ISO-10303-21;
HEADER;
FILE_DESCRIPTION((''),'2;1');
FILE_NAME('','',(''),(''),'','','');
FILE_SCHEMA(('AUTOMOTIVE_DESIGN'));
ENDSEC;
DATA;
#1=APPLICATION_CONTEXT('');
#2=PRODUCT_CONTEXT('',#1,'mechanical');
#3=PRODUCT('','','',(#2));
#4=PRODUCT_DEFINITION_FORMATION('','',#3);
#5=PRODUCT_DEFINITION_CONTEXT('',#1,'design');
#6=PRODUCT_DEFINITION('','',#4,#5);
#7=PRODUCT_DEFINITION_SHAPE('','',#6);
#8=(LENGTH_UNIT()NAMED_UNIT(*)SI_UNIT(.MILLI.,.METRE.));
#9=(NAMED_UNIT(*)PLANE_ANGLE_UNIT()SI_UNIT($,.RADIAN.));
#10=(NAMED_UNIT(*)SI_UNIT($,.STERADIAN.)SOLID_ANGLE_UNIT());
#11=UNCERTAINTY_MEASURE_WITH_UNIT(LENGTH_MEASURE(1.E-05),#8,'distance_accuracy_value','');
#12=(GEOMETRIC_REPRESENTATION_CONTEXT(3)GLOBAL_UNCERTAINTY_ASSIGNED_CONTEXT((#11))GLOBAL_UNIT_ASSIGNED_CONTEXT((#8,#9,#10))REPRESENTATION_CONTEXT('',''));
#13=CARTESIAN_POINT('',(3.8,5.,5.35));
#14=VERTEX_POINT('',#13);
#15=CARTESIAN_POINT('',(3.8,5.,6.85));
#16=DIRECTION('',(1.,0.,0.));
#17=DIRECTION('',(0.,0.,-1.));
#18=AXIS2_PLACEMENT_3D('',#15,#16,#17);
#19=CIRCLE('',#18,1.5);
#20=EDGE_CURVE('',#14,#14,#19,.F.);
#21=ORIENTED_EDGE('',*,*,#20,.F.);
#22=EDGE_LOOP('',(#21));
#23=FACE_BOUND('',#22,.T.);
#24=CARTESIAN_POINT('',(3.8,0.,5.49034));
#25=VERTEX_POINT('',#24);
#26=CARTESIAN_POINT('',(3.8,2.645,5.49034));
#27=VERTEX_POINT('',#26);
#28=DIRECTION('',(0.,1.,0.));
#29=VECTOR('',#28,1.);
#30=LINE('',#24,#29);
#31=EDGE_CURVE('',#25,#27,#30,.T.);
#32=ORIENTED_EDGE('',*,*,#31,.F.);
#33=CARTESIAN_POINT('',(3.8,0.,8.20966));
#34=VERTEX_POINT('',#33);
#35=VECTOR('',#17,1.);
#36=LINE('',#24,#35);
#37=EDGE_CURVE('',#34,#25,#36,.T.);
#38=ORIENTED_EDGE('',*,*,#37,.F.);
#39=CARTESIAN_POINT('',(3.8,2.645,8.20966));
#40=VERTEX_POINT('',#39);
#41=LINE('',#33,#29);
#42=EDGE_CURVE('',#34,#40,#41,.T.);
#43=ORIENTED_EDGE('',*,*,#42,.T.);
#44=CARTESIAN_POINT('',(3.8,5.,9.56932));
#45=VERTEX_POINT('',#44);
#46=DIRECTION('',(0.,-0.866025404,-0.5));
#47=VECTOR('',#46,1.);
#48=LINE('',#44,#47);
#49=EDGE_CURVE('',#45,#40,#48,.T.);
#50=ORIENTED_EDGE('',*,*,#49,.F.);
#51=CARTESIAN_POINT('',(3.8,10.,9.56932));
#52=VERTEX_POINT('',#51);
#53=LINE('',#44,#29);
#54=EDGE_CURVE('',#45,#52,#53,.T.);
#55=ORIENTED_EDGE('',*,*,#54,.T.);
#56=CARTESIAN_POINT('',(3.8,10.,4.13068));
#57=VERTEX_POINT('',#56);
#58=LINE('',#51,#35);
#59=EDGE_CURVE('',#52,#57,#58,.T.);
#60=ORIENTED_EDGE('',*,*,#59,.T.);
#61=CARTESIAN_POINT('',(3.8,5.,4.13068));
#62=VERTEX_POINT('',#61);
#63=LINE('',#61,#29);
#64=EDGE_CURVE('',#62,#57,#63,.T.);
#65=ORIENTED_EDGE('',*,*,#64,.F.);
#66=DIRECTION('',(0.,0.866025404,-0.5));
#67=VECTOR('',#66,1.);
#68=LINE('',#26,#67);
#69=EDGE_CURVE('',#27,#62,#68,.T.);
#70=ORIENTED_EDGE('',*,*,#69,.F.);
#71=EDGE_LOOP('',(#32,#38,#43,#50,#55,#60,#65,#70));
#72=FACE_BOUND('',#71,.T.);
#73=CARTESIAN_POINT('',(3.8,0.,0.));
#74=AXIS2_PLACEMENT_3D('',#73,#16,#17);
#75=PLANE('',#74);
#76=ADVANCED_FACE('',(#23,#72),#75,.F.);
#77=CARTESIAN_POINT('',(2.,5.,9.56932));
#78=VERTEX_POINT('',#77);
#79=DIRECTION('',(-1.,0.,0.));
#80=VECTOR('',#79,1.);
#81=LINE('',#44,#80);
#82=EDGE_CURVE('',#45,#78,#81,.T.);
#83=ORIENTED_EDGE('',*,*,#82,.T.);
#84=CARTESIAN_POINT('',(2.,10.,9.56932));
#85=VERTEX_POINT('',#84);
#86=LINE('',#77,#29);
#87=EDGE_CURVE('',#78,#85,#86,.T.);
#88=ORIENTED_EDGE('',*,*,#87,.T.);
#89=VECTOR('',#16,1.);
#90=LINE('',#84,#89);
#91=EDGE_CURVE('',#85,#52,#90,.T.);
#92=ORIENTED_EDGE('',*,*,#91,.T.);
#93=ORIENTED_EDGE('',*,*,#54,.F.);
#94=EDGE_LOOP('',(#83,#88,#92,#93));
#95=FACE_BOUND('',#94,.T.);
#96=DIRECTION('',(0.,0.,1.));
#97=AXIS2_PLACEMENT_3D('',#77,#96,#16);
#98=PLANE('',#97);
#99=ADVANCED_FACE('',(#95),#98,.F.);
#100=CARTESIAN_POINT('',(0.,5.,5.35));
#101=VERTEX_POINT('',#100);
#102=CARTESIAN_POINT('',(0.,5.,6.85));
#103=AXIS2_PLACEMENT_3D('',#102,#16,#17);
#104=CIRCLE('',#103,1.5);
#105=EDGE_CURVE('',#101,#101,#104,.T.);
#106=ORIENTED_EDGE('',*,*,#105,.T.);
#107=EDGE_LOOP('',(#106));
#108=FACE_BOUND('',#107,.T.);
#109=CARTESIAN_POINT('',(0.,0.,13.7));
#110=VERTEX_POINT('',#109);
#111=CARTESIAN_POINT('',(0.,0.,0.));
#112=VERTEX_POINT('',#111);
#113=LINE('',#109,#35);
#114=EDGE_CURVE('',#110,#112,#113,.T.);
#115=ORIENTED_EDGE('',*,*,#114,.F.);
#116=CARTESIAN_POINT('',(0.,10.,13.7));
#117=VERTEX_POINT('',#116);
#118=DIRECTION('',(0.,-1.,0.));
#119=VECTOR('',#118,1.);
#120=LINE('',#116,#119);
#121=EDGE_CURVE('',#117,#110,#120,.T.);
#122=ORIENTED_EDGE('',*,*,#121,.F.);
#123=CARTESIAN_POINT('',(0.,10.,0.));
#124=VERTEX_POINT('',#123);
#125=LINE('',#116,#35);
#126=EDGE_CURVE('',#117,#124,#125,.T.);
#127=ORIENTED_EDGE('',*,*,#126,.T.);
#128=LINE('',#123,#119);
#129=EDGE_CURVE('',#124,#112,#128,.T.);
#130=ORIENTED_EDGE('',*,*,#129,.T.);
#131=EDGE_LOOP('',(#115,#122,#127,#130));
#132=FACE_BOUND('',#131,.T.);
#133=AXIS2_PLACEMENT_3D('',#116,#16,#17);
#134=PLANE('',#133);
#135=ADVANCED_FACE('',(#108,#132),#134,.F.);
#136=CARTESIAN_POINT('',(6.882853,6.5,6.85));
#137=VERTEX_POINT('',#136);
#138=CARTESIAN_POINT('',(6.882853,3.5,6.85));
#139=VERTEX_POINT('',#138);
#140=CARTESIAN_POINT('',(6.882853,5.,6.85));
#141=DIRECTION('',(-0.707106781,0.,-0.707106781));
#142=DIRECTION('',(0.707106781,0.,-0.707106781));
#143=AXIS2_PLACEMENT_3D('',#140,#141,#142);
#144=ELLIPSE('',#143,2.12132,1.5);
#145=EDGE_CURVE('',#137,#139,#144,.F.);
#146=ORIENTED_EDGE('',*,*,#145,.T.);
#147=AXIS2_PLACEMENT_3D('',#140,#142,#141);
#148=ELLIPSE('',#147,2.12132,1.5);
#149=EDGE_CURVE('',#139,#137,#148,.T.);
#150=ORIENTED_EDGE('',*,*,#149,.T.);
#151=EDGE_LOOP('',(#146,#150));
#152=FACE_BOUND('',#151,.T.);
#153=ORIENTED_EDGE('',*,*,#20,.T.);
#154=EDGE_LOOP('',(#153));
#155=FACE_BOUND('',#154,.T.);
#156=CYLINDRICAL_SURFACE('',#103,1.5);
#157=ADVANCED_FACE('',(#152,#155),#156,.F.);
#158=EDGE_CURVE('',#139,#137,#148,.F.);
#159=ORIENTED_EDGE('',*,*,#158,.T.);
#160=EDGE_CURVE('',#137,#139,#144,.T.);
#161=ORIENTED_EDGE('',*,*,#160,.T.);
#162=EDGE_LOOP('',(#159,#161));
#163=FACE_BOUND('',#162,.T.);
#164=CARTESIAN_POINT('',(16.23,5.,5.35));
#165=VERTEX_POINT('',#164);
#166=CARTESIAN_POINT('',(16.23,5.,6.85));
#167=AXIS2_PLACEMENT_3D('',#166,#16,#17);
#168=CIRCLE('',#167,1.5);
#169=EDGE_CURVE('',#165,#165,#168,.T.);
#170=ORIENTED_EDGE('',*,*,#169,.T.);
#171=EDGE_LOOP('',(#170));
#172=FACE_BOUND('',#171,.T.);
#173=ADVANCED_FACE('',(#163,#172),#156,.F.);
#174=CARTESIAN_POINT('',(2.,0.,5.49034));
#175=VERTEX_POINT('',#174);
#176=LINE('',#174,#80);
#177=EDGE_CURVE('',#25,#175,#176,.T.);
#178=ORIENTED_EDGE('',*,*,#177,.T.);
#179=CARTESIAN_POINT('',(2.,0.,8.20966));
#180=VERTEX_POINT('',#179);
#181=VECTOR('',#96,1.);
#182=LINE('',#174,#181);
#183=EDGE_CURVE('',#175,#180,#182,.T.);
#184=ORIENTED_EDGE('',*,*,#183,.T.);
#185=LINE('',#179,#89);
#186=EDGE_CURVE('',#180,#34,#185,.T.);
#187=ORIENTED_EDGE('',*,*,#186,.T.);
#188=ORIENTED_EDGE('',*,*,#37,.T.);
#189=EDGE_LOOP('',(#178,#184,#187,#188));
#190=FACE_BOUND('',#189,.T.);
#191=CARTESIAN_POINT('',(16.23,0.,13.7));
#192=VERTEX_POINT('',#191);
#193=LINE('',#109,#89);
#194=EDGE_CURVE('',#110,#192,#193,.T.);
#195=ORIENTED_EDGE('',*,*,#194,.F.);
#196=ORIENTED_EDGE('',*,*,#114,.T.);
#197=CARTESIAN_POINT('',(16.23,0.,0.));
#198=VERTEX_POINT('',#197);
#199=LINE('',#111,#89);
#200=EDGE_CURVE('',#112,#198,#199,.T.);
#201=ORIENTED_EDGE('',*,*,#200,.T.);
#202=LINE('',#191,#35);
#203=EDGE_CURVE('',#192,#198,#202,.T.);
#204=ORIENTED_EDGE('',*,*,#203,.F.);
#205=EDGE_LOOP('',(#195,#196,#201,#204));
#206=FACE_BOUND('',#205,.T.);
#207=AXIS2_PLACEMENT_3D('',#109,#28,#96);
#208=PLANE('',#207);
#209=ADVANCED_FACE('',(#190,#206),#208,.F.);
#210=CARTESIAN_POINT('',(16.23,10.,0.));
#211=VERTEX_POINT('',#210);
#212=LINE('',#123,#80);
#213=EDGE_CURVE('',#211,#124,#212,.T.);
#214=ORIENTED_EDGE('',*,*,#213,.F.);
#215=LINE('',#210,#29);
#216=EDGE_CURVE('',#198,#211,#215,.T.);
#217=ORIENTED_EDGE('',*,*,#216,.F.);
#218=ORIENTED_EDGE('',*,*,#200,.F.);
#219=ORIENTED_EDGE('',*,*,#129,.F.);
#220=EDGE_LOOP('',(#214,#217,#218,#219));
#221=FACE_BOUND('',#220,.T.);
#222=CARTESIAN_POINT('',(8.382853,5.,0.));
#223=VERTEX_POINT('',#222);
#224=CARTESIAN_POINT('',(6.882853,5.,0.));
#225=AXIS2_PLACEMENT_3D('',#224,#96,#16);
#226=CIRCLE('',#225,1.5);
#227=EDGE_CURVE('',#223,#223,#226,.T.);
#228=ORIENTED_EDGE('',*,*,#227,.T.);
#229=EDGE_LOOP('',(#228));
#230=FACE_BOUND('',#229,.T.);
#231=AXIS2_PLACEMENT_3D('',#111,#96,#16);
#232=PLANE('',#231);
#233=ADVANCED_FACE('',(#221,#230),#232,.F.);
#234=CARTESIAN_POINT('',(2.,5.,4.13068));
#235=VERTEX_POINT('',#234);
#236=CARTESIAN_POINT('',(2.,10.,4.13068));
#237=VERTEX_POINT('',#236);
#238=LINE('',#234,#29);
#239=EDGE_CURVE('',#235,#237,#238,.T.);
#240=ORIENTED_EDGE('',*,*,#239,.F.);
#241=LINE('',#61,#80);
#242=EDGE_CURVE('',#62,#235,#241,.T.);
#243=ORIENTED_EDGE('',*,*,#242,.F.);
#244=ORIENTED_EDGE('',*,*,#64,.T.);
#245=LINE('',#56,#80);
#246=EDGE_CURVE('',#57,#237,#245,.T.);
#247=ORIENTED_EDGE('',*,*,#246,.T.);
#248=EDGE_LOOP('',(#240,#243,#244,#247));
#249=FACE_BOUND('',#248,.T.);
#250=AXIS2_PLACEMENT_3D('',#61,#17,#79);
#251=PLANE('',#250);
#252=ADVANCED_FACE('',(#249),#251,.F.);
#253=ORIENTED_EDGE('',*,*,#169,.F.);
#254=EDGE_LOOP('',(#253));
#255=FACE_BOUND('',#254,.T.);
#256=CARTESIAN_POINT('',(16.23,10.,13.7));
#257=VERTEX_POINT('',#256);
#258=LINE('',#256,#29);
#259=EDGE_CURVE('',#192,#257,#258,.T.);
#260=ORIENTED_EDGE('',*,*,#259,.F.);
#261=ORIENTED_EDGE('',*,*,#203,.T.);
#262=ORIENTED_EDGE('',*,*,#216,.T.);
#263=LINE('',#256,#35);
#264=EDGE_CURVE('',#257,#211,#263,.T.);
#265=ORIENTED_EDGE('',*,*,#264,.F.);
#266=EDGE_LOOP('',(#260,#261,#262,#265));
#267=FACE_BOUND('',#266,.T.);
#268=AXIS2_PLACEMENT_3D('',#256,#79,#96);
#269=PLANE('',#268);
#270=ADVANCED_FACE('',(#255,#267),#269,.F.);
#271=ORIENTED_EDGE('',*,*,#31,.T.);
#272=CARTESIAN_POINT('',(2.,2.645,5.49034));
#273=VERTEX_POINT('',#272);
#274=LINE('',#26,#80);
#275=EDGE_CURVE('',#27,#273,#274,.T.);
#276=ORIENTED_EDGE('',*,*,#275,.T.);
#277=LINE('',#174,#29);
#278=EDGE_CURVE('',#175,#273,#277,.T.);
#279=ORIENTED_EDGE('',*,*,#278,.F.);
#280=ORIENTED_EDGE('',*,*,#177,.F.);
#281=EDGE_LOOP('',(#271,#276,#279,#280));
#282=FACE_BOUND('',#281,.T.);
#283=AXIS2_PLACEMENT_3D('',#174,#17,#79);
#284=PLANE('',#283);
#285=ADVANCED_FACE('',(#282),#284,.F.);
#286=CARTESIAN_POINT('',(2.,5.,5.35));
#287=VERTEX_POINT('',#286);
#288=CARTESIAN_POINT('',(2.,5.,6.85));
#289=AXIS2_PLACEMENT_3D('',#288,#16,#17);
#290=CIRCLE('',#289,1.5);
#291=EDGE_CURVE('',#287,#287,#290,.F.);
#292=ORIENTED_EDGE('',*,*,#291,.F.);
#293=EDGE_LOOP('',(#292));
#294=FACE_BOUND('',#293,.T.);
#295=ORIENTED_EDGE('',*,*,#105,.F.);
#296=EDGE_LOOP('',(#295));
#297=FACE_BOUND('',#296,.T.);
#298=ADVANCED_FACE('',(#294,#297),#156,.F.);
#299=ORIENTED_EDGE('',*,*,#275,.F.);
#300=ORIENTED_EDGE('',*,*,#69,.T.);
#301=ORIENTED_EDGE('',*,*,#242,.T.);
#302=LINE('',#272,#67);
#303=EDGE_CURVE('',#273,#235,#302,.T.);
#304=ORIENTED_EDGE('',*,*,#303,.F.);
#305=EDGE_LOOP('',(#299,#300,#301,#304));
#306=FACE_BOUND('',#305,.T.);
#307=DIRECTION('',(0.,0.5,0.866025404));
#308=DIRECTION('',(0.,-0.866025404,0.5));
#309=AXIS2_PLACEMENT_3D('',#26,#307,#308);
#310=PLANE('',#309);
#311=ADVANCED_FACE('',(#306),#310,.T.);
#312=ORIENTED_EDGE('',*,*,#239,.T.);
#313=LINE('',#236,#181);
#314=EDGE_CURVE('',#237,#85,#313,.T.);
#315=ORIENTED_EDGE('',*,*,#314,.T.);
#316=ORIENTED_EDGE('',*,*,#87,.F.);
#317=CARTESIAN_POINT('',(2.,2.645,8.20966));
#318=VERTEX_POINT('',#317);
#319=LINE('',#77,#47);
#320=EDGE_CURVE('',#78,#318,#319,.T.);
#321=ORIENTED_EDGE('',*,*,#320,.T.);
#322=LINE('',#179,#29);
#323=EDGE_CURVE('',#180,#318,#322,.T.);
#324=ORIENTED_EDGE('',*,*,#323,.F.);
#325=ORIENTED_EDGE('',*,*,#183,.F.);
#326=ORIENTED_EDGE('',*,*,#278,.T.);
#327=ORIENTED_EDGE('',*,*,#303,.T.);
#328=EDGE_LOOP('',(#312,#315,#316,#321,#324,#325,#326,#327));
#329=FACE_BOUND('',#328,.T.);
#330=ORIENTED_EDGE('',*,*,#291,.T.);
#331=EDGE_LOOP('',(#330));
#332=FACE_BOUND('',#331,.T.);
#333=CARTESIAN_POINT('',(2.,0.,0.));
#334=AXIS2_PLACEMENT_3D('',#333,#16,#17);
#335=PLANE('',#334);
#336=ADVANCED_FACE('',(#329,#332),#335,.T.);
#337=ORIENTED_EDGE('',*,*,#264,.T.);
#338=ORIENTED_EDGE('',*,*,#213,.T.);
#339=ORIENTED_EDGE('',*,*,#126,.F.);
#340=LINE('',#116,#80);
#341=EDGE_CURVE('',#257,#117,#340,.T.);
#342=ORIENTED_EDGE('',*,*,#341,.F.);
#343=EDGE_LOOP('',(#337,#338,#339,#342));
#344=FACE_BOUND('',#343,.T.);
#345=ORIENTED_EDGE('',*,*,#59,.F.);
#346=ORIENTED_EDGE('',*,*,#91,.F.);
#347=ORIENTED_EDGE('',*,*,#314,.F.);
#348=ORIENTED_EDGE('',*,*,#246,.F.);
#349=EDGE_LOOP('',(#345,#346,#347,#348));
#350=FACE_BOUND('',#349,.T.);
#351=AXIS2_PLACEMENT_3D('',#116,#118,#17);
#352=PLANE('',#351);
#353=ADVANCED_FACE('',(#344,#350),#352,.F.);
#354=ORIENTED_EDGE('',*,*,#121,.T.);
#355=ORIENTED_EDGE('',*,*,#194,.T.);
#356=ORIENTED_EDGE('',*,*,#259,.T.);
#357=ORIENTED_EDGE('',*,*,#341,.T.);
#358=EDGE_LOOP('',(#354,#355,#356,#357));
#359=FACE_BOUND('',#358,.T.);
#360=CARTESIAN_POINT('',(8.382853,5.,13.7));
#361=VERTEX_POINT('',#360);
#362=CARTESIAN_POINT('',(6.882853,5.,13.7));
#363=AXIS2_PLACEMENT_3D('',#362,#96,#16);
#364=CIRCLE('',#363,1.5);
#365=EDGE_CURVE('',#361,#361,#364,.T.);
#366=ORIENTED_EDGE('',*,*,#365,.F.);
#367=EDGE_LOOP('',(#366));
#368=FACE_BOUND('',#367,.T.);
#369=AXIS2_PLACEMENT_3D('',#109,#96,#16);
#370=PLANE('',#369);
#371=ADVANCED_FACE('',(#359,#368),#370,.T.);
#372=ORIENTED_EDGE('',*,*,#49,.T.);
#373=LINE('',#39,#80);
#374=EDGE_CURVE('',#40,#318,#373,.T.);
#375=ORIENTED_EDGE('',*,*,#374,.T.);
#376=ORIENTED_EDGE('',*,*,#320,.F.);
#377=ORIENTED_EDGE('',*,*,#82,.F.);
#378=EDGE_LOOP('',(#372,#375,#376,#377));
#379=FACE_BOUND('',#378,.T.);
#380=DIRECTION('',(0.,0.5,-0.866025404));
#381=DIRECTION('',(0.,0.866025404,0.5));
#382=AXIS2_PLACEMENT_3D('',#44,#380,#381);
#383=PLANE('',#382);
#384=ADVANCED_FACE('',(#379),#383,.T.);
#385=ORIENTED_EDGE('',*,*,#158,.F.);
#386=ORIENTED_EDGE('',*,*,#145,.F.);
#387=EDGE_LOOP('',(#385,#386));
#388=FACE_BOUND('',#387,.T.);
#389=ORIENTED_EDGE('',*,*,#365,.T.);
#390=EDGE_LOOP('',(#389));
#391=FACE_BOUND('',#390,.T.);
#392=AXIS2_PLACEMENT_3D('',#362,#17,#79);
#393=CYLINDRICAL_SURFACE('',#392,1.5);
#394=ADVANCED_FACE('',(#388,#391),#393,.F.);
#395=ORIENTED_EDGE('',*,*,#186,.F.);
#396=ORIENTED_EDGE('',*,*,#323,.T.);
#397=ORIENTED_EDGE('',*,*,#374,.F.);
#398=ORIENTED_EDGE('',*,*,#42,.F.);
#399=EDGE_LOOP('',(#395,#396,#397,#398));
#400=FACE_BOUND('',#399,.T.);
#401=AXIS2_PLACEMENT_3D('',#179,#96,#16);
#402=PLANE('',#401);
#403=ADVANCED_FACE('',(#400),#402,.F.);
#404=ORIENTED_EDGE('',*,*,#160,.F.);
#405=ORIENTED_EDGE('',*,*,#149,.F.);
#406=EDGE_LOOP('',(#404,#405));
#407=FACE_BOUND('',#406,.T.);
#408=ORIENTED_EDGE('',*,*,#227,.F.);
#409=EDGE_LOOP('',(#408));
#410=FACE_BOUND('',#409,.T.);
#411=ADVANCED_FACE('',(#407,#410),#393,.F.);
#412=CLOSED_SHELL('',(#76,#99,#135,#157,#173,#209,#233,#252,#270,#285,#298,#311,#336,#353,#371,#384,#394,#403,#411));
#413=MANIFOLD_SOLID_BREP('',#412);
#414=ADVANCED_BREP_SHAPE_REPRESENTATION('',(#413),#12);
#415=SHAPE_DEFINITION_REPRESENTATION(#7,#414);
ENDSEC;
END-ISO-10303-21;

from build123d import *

# Parameters (mm, degrees)
SKETCH2_W           = 16.23
SKETCH2_H           = 10
SKETCH2_R           = 1.5
BOSS_EXTRUDE1_DEPTH = 13.7
SKETCH3_R           = 1.5
CUT_EXTRUDE1_DEPTH  = 24.47558093
CUT_EXTRUDE4_DEPTH  = 1.8
SKETCH7_W           = 1.8
SKETCH7_H           = 5.438639536
CUT_EXTRUDE5_DEPTH  = 5
SKETCH8_W           = 1.8
SKETCH8_H           = 2.719319768
CUT_EXTRUDE6_DEPTH  = 23.476630642


with BuildPart() as part:
    # Sketch2 → Boss-Extrude1 (new body)
    with BuildSketch(Plane.XY):
        with Locations((8.115, 5)):
            Rectangle(SKETCH2_W, SKETCH2_H)
        with Locations(Location((6.882853167, 5, 0), (0, 0, 180))):
            Circle(SKETCH2_R, mode=Mode.SUBTRACT)
    extrude(amount=BOSS_EXTRUDE1_DEPTH)

    # Sketch3 → Cut-Extrude1 (cut, through all)
    with BuildSketch(Plane(origin=(16.23, 0, 0), x_dir=(0, 0, -1), z_dir=(1, 0, 0))):
        with Locations((-6.85, 5)):
            Circle(SKETCH3_R)
    extrude(amount=-CUT_EXTRUDE1_DEPTH, mode=Mode.SUBTRACT)

    # Sketch4 → Cut-Extrude4 (cut)
    with BuildSketch(Plane(origin=(2, 0, 0), x_dir=(0, 0, -1), z_dir=(1, 0, 0))):
        Polygon((-5.490340116, 2.645), (-4.130680232, 5), (-5.490340116, 7.355), (-8.209659884, 7.355), (-9.569319768, 5), (-8.209659884, 2.645), align=None)
    extrude(amount=CUT_EXTRUDE4_DEPTH, mode=Mode.SUBTRACT)

    # Sketch7 → Cut-Extrude5 (cut)
    with BuildSketch(Plane(origin=(0, 10, 0), x_dir=(1, 0, 0), z_dir=(0, 1, 0))):
        with Locations((2.9, -6.85)):
            Rectangle(SKETCH7_W, SKETCH7_H)
    extrude(amount=-CUT_EXTRUDE5_DEPTH, mode=Mode.SUBTRACT)

    # Sketch8 → Cut-Extrude6 (cut, through all)
    with BuildSketch(Plane(origin=(0, 2.645, 0), x_dir=(1, 0, 0), z_dir=(0, 1, 0))):
        with Locations((2.9, -6.85)):
            Rectangle(SKETCH8_W, SKETCH8_H)
    extrude(amount=-CUT_EXTRUDE6_DEPTH, mode=Mode.SUBTRACT)


solid = part.part
